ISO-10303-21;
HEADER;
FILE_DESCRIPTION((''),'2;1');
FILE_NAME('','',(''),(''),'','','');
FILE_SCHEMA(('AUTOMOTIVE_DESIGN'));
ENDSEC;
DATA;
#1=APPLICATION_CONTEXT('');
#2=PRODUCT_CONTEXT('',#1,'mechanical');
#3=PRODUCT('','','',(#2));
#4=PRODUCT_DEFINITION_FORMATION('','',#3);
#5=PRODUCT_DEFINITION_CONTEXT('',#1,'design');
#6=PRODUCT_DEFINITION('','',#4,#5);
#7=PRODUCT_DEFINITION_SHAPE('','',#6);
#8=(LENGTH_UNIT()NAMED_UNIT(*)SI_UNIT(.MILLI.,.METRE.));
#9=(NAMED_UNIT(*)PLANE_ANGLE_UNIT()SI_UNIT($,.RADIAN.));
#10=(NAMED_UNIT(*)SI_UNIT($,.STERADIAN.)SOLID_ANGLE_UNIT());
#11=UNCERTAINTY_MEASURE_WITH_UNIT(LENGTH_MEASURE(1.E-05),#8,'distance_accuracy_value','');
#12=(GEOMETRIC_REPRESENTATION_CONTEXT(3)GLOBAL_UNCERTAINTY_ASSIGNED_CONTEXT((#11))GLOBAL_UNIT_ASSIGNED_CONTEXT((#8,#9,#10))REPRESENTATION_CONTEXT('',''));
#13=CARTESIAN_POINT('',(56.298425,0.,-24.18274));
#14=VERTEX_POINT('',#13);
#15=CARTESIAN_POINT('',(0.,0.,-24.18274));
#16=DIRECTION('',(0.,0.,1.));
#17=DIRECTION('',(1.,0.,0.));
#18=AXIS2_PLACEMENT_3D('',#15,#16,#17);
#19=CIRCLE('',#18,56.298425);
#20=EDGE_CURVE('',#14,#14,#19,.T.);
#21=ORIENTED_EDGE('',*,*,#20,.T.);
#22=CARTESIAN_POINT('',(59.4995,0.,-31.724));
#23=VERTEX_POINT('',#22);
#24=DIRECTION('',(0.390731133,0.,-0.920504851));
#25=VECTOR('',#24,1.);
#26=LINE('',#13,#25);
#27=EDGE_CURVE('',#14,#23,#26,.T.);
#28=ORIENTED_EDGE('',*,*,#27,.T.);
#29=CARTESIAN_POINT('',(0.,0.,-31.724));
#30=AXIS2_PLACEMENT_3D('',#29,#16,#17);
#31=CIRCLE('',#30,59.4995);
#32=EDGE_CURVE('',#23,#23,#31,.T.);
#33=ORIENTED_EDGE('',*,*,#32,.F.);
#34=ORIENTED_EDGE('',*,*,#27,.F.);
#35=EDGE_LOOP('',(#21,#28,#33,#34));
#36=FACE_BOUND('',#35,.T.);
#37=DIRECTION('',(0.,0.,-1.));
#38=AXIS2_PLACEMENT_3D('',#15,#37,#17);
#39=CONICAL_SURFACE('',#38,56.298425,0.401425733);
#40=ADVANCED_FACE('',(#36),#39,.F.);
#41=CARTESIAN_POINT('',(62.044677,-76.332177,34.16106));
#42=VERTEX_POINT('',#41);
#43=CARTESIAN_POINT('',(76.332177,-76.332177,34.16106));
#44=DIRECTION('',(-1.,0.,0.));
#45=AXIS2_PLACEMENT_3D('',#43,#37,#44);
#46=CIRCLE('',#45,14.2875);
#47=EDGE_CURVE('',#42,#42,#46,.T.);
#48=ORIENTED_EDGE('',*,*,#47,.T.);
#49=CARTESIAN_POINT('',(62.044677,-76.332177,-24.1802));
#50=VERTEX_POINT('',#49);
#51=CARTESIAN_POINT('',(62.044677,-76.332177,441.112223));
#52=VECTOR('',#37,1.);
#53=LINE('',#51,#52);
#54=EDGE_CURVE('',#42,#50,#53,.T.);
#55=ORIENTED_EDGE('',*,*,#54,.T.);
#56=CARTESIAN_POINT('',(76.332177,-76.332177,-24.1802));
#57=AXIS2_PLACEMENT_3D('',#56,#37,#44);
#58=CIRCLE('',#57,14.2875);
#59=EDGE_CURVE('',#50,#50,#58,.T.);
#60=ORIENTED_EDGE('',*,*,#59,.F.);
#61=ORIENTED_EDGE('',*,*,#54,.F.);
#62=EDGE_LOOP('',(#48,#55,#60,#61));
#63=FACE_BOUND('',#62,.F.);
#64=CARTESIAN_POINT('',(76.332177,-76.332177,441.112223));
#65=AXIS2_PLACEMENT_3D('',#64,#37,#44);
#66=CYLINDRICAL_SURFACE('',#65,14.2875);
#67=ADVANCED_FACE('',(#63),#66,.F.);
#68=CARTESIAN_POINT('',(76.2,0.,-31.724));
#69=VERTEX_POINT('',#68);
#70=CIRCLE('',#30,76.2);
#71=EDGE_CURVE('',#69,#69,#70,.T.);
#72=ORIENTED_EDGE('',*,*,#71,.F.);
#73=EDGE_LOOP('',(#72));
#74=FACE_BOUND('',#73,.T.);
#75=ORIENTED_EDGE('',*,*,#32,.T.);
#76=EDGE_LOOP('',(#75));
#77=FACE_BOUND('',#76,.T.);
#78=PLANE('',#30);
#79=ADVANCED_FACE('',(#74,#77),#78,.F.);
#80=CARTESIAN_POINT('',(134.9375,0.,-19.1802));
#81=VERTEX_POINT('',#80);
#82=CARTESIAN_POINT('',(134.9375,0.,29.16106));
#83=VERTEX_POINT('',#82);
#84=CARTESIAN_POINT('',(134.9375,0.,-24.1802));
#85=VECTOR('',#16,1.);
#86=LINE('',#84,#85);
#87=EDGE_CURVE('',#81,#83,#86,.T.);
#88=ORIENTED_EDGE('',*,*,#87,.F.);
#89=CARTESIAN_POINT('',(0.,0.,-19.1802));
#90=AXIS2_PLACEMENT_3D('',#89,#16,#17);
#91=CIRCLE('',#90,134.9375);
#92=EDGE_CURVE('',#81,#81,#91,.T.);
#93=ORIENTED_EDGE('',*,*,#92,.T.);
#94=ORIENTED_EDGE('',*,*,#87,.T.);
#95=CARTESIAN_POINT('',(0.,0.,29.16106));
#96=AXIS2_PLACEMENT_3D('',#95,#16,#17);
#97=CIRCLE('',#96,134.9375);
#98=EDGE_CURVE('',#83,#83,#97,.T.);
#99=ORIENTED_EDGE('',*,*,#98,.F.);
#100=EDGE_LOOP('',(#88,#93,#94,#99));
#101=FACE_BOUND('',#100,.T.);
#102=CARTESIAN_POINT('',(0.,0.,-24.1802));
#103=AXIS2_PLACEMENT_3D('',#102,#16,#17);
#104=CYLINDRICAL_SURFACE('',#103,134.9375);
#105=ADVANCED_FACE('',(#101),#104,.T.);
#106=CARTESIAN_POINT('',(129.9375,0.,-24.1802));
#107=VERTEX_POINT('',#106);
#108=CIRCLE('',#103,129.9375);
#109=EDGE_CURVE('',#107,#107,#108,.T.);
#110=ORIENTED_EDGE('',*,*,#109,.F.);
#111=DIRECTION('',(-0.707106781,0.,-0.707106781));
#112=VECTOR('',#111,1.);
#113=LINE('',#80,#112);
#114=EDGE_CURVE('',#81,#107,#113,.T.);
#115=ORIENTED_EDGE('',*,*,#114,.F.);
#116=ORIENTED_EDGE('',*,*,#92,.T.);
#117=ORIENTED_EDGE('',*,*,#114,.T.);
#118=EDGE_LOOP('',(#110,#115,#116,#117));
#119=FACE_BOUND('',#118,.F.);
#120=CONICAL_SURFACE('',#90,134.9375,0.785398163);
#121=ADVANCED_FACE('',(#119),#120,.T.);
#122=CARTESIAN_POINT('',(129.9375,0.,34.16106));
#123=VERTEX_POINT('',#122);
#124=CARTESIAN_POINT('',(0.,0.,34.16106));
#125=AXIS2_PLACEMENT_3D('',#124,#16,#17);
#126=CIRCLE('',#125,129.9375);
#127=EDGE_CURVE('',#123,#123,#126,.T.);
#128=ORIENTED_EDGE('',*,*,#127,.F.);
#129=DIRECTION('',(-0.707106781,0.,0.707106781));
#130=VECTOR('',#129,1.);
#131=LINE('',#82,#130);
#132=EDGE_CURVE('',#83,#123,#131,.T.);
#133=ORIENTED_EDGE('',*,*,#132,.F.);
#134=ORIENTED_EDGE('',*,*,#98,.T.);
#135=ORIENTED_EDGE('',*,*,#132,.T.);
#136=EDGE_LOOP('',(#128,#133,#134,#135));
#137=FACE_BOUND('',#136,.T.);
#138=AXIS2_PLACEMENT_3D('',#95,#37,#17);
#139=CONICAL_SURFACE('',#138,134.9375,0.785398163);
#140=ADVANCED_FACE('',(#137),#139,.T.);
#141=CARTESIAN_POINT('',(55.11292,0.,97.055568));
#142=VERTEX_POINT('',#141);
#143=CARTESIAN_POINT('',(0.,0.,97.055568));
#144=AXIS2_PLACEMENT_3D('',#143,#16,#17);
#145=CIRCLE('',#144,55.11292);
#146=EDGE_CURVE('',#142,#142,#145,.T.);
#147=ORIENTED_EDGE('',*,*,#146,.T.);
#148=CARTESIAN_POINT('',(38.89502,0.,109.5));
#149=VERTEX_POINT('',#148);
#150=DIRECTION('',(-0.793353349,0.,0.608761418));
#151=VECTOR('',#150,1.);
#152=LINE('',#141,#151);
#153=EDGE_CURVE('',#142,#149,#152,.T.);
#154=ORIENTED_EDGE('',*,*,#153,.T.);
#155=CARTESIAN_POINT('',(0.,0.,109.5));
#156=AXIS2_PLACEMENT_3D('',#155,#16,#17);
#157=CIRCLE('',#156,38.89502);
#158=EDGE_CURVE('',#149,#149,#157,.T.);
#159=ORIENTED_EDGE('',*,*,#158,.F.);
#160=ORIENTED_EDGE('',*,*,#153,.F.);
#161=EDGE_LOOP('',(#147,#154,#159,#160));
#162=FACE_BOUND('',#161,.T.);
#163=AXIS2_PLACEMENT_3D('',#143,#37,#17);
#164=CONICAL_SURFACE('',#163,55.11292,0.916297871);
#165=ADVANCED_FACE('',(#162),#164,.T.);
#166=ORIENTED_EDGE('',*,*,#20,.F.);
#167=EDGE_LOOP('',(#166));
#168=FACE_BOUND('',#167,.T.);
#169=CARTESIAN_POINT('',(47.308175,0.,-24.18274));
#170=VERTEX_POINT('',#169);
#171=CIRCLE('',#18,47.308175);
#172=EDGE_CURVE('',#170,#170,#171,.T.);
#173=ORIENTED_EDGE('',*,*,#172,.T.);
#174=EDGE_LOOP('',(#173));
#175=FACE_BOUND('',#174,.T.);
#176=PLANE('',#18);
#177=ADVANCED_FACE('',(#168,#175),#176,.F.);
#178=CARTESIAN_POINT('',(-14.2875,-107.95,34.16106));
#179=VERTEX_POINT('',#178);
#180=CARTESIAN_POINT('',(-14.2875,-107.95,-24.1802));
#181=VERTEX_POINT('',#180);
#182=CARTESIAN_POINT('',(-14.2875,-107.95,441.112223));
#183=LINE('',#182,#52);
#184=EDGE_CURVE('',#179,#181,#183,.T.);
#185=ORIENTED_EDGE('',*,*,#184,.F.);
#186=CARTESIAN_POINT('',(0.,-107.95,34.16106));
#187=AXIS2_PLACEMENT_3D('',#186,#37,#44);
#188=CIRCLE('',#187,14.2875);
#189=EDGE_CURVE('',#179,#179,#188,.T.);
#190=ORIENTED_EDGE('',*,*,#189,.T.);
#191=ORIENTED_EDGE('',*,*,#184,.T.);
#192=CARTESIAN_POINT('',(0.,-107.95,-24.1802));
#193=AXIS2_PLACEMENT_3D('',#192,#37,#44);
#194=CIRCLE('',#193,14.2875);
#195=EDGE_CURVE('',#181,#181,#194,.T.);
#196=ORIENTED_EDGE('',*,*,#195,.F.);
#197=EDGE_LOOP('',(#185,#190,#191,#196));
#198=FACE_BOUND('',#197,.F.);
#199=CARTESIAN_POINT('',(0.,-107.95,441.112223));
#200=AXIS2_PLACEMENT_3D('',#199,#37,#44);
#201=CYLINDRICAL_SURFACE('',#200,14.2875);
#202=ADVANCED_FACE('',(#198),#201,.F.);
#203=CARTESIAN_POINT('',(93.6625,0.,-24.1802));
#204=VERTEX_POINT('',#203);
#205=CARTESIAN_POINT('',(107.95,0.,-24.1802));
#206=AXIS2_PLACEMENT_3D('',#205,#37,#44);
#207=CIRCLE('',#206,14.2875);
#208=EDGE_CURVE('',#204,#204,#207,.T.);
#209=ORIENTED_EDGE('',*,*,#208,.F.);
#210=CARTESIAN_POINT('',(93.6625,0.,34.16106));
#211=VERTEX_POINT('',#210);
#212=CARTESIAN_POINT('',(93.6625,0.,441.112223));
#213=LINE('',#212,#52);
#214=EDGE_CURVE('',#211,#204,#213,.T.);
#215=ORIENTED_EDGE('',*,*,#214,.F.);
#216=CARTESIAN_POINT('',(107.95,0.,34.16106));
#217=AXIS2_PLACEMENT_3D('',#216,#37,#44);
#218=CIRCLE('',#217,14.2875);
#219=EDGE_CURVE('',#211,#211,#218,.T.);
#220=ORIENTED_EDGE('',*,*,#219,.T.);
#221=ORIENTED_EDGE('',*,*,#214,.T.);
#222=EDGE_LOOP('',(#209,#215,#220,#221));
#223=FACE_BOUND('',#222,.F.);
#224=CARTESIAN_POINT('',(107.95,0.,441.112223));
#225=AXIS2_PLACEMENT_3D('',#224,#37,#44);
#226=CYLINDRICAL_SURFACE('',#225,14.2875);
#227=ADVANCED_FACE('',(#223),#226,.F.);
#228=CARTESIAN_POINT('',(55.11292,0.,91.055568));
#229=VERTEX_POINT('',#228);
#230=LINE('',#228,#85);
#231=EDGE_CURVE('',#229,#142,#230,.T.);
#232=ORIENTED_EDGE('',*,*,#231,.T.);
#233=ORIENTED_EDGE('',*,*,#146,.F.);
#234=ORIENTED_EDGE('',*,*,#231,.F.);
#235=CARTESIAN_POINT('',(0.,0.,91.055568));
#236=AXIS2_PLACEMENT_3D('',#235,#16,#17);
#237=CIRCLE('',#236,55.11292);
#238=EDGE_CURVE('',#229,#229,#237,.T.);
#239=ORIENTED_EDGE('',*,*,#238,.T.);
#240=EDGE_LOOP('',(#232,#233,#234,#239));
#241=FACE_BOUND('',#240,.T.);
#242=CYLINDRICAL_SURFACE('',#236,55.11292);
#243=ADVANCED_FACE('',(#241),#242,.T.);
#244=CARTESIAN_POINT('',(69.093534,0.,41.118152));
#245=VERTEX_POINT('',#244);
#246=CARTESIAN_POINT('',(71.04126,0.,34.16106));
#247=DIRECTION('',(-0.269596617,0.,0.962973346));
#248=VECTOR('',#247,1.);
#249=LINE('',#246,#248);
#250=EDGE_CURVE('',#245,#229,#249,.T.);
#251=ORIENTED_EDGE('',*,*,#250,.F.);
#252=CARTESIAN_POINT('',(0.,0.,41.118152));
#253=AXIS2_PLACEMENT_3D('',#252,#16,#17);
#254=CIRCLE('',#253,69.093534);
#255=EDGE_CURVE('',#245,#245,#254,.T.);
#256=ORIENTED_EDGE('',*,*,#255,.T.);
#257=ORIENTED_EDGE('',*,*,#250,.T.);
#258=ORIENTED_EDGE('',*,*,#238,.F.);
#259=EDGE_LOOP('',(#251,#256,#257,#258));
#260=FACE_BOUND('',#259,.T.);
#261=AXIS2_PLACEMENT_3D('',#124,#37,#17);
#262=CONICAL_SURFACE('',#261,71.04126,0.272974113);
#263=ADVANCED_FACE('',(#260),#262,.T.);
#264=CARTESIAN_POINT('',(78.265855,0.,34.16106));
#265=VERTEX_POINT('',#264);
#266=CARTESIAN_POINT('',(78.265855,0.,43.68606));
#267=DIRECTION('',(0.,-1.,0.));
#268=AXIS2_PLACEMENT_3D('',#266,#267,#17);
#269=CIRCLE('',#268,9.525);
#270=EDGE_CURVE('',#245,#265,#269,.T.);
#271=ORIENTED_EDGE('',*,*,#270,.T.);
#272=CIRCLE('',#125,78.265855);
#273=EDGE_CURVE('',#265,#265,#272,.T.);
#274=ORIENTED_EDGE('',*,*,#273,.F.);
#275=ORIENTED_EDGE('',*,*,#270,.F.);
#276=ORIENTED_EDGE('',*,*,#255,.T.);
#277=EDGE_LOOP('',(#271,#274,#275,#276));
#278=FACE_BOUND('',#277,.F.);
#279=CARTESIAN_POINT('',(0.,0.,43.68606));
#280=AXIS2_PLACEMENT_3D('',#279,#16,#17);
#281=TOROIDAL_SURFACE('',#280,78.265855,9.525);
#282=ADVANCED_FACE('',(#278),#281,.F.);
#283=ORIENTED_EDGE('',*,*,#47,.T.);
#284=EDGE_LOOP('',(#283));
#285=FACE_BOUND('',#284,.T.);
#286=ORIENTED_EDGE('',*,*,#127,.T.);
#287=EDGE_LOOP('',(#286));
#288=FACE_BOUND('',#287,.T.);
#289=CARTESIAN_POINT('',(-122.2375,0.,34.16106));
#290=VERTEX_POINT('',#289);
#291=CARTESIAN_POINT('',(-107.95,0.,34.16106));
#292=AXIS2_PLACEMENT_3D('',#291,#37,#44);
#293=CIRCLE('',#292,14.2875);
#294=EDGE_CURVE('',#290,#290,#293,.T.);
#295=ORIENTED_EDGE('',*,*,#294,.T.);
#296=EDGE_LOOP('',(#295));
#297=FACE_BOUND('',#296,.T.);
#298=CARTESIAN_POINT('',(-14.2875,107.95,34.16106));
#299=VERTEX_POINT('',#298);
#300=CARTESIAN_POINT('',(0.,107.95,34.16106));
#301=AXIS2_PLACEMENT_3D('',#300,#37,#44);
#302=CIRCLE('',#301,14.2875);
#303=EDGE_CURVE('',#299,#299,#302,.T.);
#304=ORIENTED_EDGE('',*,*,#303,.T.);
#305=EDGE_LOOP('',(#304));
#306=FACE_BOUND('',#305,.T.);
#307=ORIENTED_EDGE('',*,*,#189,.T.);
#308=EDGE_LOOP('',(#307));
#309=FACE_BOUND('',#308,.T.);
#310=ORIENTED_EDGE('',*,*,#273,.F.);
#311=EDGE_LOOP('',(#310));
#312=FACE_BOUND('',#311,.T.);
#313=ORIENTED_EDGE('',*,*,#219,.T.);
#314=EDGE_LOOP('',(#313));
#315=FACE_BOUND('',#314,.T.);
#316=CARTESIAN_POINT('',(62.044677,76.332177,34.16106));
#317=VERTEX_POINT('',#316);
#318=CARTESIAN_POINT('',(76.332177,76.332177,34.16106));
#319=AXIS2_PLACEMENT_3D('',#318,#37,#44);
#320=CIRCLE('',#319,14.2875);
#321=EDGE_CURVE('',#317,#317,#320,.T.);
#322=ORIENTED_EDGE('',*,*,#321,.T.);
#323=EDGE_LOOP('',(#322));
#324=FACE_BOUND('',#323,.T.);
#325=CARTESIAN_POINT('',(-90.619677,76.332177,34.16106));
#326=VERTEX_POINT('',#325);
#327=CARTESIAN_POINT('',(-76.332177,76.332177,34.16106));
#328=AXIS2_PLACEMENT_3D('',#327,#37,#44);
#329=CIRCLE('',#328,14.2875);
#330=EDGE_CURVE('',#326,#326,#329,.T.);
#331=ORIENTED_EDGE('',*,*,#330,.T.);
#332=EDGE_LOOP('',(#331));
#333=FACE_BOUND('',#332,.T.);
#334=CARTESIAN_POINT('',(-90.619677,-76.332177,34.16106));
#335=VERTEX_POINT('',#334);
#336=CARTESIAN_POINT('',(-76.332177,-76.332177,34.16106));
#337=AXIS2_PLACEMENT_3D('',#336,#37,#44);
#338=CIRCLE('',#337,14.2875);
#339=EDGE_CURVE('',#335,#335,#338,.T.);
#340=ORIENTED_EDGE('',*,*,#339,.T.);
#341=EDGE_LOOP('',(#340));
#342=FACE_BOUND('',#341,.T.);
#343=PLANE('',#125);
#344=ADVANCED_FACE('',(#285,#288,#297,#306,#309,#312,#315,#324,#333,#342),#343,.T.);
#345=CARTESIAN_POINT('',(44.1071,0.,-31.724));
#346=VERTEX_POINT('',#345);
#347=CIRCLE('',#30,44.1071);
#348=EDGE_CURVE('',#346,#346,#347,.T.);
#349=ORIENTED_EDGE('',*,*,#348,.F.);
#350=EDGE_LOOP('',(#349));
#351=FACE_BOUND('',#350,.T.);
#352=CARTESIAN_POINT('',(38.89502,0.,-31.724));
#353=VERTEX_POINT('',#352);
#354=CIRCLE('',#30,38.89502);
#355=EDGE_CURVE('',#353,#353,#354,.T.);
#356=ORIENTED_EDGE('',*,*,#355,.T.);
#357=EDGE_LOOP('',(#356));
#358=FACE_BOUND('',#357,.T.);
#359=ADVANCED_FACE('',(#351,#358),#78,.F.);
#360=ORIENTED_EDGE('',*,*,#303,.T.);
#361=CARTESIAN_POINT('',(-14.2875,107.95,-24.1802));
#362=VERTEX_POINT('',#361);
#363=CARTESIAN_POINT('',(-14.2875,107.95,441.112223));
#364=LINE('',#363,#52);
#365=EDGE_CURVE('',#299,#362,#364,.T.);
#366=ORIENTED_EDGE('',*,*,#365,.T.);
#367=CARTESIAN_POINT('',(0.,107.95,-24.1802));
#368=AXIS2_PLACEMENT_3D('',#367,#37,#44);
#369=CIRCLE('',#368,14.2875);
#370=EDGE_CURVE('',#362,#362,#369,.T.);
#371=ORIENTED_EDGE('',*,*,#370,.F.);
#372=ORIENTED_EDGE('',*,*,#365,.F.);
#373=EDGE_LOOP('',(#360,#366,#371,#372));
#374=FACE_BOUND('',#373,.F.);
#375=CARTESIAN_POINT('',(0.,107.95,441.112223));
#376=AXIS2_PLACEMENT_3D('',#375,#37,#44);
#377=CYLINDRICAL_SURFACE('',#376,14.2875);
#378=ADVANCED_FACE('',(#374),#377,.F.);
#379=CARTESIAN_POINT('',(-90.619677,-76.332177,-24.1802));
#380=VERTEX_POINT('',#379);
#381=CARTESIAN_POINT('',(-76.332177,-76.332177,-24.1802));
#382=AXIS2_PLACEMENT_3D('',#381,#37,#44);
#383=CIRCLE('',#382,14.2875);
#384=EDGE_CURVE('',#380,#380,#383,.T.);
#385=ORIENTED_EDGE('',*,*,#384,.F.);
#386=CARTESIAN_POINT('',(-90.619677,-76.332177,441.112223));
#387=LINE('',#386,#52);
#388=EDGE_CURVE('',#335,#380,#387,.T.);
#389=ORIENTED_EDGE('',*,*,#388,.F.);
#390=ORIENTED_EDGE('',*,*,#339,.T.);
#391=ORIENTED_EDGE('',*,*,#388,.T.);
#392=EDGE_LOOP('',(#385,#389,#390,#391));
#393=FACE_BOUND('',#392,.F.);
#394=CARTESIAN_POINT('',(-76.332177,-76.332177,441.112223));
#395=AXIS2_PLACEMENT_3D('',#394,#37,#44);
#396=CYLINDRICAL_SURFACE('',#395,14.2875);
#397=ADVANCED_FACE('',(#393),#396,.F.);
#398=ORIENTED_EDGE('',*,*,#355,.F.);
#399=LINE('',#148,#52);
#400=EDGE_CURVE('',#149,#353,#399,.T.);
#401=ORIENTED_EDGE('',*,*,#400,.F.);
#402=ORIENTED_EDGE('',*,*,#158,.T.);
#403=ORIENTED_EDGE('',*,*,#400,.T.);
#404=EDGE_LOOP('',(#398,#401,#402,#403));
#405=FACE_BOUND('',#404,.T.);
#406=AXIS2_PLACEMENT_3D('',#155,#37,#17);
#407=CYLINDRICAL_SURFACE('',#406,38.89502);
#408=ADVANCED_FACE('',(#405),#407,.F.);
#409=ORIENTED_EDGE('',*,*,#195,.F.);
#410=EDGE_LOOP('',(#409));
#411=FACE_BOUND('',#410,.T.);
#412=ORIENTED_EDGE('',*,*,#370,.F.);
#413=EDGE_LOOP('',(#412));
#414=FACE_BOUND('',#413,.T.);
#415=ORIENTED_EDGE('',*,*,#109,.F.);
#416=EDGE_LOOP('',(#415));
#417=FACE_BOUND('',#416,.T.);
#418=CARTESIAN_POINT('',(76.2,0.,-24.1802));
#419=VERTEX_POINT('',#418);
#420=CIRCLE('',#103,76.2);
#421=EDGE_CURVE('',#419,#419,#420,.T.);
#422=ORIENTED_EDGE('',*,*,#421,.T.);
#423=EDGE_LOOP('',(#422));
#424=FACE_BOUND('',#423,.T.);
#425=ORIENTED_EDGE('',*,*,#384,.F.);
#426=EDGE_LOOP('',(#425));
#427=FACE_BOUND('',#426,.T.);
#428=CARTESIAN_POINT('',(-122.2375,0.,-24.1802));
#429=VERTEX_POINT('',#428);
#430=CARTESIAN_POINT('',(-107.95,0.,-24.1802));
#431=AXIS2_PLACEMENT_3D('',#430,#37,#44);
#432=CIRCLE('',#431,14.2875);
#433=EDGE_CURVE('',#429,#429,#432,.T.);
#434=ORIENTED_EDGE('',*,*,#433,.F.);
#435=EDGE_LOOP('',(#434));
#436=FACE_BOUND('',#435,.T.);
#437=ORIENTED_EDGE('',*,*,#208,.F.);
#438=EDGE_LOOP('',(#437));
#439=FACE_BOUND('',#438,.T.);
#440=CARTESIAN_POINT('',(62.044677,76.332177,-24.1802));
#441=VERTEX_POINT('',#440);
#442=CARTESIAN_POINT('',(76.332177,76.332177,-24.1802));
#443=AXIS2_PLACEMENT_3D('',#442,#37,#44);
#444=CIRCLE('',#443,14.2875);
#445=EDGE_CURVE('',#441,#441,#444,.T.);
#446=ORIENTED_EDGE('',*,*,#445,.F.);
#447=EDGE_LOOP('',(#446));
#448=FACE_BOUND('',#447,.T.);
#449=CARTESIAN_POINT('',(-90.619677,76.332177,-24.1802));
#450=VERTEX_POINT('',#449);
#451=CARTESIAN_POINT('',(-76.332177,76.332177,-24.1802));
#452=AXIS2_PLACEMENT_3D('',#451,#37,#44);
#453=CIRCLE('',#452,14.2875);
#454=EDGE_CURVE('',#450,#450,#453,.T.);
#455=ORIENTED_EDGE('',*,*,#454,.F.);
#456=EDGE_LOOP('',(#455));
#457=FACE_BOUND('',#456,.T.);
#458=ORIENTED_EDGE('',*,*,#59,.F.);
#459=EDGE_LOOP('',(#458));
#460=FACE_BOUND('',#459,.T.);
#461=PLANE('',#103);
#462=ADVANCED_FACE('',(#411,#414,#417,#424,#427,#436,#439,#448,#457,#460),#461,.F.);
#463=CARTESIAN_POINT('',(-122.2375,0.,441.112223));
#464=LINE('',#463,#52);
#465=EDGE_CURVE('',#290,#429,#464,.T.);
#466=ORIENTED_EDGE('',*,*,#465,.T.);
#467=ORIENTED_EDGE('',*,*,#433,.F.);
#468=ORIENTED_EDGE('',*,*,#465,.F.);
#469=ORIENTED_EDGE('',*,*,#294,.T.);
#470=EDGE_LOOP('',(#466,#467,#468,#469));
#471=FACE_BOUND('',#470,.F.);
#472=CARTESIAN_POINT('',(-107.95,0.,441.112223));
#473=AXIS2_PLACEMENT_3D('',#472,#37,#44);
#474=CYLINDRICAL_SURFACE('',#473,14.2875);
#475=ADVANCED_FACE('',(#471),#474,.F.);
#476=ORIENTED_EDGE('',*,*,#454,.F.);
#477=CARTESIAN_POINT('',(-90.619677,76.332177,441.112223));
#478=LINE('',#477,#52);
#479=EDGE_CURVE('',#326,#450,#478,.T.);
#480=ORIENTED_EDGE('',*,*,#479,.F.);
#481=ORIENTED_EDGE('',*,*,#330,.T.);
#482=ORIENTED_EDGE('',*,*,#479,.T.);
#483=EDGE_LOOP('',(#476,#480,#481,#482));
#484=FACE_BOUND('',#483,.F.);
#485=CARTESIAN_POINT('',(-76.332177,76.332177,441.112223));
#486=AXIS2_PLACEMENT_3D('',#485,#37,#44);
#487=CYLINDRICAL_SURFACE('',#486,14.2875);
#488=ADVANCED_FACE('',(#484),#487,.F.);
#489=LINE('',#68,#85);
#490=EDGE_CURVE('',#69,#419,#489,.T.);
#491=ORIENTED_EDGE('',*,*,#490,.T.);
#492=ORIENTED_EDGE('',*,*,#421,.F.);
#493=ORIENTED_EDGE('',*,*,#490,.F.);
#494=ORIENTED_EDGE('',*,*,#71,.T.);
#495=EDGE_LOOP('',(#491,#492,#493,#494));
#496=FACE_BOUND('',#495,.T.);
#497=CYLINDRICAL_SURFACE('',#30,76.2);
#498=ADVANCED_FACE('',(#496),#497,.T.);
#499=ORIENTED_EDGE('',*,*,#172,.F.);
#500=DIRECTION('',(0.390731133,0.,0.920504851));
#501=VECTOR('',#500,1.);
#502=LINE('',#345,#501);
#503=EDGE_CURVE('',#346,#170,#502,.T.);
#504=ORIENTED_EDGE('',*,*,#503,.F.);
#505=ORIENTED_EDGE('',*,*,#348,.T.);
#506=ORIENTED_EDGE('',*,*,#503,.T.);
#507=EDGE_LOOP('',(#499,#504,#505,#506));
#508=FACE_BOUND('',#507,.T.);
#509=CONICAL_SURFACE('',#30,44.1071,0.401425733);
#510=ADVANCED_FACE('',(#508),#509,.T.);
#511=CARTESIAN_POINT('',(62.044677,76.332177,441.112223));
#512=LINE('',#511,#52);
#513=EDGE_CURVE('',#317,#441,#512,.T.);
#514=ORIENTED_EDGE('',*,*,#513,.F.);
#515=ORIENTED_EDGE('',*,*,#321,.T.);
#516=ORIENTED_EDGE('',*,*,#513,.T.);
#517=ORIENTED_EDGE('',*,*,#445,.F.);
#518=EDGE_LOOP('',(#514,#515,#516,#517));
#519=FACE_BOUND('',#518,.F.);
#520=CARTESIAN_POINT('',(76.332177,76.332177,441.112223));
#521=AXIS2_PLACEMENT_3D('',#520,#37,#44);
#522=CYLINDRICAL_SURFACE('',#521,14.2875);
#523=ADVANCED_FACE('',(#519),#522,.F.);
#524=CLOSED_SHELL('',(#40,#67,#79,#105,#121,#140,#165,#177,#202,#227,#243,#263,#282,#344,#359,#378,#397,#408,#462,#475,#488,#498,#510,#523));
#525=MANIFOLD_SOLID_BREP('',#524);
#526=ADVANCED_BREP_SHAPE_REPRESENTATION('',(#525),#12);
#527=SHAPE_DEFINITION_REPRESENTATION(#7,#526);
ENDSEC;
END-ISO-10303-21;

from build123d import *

# Parameters (mm, degrees)
F3_D    = 28.575
F4_R    = 9.525
F5_SIZE = 5
F6_SIZE = 5


with BuildPart() as f1:
    # F0 (on Front) → F1 (revolve)
    with BuildSketch(Plane.XZ):
        Polygon((38.89502, 109.5), (38.89502, -31.724), (44.1071, -31.724), (47.308175, -24.18274), (56.298425, -24.18274), (59.4995, -31.724), (76.2, -31.724), (76.2, -24.1802), (134.9375, -24.1802), (134.9375, 34.16106), (71.04126, 34.16106), (55.11292, 91.055568), (55.11292, 97.055568), align=None)
    revolve(axis=Axis((0, 0, 78.919753), (0, 0, 1)))

    # F3 (through all)
    with Locations(Plane.XY.offset(34.16106)):
        with Locations((0, 107.95), (76.332177, 76.332177), (107.95, 0), (76.332177, -76.332177), (0, -107.95), (-76.332177, -76.332177), (-107.95, 0), (-76.332177, 76.332177)):
            Hole(F3_D / 2)

    # F4
    f4_edges = [f1.edges().sort_by_distance(p)[0] for p in [
        (-71.04126, 0, 34.16106),
    ]]
    fillet(f4_edges, radius=F4_R)

    # F5
    f5_edges = [f1.edges().sort_by_distance(p)[0] for p in [
        (-134.9375, 0, -24.1802),
    ]]
    chamfer(f5_edges, length=F5_SIZE)

    # F6
    f6_edges = [f1.edges().sort_by_distance(p)[0] for p in [
        (-134.9375, 0, 34.16106),
    ]]
    chamfer(f6_edges, length=F6_SIZE)


solid = f1.part
